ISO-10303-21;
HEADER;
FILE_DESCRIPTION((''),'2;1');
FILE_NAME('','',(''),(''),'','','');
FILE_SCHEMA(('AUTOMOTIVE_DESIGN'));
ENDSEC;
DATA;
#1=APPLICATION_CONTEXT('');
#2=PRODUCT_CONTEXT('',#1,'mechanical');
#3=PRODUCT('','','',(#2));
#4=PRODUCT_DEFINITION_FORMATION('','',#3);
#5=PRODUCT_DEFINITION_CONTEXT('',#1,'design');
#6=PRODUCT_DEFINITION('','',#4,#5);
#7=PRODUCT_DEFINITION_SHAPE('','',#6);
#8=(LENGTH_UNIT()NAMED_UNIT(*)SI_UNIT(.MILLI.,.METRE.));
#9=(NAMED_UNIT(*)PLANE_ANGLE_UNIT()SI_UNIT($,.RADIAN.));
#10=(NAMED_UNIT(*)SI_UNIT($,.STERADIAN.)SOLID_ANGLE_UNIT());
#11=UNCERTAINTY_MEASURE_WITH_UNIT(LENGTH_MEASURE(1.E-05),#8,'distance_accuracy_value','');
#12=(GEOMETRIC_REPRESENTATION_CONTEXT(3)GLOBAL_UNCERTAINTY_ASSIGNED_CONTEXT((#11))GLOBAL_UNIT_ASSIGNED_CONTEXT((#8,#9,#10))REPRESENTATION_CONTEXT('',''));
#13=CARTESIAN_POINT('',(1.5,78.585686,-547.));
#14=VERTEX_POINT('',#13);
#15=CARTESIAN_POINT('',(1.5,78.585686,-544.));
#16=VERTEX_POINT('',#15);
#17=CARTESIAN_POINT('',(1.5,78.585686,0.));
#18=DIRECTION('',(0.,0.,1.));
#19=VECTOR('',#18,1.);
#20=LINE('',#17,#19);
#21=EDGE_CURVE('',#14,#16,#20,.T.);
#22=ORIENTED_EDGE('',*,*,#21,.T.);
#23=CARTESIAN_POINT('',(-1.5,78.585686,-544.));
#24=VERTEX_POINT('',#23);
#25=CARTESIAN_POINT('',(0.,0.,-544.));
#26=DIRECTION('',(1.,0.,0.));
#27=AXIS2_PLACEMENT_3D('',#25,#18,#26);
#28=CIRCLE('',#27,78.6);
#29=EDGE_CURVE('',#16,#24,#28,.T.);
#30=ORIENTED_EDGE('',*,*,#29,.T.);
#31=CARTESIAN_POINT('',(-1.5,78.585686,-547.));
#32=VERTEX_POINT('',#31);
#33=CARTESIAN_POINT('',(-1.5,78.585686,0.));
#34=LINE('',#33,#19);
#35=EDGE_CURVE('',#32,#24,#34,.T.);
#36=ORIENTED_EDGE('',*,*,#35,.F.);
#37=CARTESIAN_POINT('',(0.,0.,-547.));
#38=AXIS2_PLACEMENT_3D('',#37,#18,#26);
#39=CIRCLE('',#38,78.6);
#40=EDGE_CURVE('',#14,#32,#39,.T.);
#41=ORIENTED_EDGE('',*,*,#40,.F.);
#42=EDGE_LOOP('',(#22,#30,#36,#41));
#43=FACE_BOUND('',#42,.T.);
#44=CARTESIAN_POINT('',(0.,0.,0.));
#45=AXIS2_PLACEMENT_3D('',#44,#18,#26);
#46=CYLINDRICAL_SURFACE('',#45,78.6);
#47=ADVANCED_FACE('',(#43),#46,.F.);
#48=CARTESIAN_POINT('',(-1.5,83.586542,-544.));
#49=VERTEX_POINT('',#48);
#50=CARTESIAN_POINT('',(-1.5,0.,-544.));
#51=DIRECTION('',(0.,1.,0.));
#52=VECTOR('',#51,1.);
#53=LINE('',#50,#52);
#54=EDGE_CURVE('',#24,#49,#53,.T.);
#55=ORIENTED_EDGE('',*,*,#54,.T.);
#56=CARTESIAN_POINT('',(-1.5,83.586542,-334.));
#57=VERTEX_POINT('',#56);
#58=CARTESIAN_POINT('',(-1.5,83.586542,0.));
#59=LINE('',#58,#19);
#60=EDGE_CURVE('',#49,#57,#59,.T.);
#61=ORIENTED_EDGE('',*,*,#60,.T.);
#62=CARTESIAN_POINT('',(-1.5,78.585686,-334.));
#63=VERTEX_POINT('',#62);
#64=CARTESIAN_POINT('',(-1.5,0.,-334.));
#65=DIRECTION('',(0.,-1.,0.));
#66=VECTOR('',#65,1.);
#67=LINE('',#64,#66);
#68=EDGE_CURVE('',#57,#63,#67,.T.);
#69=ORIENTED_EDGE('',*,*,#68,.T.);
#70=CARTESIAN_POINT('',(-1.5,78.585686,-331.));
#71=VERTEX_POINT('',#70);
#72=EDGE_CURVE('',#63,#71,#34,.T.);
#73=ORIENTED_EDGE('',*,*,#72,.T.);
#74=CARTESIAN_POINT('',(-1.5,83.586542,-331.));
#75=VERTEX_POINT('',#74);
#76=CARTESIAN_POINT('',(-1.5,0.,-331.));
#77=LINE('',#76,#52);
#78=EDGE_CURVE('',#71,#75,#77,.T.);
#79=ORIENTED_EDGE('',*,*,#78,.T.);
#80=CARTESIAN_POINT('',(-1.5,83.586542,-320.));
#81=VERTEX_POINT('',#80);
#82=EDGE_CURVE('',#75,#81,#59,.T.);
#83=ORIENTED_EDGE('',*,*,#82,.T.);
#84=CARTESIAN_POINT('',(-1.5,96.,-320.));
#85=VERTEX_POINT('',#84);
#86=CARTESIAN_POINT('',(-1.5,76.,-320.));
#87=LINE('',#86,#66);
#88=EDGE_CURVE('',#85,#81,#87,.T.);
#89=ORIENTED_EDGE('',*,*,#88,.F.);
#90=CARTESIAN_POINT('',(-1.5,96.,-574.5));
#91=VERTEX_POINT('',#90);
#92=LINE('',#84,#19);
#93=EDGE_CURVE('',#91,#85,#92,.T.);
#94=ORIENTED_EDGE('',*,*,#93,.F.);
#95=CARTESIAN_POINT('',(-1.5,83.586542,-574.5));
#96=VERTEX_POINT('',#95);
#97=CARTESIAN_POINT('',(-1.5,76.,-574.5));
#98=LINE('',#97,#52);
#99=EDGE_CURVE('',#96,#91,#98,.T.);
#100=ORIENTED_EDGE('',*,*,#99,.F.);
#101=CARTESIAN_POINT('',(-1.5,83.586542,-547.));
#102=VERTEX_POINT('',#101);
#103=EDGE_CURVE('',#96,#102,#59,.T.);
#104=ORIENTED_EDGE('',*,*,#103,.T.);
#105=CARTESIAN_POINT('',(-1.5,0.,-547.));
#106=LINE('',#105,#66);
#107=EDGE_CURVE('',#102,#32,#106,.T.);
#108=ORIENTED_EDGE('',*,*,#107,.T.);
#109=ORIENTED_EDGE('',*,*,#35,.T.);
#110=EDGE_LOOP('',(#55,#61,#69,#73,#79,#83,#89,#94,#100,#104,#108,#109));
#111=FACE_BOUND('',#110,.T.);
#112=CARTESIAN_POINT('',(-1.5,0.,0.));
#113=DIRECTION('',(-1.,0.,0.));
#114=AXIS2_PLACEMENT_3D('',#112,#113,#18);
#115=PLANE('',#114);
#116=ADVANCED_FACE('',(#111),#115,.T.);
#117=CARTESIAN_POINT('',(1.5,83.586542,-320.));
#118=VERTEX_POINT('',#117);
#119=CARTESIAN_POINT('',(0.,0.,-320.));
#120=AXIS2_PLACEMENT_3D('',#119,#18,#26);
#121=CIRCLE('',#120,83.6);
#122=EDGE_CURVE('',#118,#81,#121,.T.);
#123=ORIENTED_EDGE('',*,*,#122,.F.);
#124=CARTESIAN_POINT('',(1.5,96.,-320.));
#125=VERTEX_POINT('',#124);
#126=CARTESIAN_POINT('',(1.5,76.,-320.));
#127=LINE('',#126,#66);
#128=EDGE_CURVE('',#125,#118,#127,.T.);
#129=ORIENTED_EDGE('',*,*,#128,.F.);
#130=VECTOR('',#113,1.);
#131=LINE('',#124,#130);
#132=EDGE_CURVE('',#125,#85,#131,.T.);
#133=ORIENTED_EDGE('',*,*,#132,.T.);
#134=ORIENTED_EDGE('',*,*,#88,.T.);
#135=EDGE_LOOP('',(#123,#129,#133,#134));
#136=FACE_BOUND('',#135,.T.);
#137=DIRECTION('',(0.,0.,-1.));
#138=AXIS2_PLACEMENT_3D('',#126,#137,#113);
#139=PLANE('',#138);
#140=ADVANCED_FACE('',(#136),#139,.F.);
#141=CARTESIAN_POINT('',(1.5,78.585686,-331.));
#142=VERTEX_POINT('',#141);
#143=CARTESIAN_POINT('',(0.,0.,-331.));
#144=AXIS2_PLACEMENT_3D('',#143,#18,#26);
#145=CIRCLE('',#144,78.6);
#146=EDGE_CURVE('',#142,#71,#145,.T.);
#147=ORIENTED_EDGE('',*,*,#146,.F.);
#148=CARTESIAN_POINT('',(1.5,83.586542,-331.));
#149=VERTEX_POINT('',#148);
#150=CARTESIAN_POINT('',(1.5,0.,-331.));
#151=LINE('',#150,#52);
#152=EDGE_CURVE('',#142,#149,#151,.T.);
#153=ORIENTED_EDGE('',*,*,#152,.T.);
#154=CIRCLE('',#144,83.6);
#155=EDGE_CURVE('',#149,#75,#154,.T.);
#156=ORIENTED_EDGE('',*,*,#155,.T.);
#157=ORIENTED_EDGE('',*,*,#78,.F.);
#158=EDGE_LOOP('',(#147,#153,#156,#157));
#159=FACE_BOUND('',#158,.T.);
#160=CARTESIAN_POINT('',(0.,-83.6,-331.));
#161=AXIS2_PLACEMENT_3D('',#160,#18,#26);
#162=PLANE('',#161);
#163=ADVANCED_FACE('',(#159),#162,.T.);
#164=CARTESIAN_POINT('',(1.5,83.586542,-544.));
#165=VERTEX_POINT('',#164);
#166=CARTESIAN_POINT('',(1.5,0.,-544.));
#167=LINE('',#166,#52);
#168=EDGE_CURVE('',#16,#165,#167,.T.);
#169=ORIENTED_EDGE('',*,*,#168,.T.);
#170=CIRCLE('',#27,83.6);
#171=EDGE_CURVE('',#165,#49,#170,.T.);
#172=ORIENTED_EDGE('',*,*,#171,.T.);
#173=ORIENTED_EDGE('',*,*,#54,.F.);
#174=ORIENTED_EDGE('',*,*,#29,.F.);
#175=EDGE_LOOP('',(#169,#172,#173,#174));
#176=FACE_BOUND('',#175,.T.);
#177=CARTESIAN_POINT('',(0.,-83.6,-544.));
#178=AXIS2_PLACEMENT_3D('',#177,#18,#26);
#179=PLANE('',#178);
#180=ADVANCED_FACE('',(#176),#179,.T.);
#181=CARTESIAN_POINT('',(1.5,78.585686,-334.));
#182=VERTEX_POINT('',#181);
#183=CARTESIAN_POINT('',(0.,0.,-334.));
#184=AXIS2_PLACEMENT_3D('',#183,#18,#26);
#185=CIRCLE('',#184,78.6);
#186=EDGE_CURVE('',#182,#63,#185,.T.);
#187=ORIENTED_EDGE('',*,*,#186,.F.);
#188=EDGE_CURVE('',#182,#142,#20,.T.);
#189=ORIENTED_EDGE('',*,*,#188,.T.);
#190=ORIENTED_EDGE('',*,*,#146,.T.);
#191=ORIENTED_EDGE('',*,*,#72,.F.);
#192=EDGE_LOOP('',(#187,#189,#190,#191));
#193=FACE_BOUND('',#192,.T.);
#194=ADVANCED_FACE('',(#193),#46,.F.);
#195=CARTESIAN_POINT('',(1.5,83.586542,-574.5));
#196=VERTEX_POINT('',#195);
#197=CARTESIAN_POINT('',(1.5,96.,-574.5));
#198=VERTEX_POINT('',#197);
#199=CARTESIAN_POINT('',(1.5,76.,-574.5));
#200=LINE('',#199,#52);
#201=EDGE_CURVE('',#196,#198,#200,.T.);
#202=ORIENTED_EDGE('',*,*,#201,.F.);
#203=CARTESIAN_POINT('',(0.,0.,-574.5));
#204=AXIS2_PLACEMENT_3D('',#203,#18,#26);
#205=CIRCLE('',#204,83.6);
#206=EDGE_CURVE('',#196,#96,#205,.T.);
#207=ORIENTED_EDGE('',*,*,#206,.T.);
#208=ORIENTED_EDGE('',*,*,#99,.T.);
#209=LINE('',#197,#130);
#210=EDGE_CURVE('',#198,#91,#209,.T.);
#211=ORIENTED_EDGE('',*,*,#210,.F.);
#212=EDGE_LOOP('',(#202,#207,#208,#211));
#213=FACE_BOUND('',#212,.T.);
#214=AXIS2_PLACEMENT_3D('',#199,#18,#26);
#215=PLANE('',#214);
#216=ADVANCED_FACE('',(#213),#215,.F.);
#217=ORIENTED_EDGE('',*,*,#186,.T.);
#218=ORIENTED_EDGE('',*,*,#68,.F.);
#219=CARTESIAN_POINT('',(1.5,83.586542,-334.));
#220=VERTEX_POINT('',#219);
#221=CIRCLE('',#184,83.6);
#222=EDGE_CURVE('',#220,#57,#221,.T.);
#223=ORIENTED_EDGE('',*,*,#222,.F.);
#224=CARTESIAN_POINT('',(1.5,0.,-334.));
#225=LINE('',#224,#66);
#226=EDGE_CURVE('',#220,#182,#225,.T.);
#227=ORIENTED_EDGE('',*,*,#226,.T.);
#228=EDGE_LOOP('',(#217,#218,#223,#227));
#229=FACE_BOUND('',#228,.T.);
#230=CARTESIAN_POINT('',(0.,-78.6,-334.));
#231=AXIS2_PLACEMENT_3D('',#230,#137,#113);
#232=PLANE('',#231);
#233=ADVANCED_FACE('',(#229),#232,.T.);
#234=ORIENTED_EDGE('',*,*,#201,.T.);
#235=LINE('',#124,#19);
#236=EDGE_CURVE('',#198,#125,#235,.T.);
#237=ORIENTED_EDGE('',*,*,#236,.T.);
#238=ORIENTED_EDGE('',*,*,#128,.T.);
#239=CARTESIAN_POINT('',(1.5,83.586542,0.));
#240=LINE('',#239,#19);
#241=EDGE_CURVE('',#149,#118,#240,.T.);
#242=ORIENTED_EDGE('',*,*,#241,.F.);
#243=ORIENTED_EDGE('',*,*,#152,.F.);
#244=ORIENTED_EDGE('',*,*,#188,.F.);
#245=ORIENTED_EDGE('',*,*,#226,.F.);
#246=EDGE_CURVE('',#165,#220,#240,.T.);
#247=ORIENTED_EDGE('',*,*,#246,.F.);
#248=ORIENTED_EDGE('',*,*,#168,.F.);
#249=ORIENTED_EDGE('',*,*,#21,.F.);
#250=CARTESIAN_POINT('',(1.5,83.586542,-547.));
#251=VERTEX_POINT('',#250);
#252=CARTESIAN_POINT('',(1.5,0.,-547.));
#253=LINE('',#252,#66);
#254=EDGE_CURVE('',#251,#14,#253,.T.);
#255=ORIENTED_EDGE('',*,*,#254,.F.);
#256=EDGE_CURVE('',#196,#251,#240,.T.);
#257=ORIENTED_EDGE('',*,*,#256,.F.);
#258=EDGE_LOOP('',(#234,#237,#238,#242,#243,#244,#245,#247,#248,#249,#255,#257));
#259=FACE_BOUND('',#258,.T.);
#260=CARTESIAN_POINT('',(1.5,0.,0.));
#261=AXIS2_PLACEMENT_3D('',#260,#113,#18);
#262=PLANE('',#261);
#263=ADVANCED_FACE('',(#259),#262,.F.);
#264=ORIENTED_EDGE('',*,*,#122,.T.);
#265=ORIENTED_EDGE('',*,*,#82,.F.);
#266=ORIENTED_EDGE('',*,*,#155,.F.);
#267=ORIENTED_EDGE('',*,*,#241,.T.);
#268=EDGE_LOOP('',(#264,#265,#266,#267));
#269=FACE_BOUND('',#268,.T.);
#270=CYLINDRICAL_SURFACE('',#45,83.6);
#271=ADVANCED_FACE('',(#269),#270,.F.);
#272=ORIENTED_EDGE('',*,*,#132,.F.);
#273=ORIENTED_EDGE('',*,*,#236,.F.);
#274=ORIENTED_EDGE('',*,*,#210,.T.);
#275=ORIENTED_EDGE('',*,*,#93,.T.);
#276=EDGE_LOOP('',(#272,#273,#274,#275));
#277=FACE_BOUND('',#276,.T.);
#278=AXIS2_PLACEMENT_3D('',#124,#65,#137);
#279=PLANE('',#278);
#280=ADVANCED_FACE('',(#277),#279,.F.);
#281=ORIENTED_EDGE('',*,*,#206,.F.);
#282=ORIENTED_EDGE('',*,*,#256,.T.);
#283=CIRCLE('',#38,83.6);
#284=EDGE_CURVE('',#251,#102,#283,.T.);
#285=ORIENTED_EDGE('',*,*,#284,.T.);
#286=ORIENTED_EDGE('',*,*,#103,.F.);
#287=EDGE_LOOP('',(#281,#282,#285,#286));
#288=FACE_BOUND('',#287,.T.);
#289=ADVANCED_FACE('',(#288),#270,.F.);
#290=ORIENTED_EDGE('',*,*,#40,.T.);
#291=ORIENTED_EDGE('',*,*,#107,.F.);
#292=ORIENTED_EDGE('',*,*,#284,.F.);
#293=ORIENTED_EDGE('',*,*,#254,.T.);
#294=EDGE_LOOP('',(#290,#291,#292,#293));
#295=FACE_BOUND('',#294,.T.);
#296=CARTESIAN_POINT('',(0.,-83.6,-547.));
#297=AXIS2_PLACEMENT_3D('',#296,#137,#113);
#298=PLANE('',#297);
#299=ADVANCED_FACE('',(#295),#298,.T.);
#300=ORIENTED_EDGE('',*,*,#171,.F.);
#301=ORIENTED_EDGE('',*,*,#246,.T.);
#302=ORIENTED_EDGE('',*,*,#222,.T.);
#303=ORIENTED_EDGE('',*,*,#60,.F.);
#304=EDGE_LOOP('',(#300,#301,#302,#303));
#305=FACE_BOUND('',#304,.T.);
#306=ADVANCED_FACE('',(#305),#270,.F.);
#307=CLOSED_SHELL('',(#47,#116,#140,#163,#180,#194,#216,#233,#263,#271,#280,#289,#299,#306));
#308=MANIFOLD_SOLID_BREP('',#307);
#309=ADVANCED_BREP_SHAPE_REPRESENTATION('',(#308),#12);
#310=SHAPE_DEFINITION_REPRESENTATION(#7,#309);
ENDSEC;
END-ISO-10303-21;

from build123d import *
from build123d.topology import SkipClean

# Parameters (mm, degrees)
SKETCH1_W           = 254.5
SKETCH1_H           = 20
BOSS_EXTRUDE1_DEPTH = 1.5
CUT_REVOLVE1_ANGLE  = 360


with BuildPart() as part:
    # Sketch1 → Boss-Extrude1 (new body, symmetric)
    with BuildSketch(Plane(origin=(0, 0, 0), x_dir=(0, 0, -1), z_dir=(1, 0, 0))):
        with Locations((447.25, 86)):
            Rectangle(SKETCH1_W, SKETCH1_H)
    extrude(amount=BOSS_EXTRUDE1_DEPTH, both=True)

    # Sketch2 → Cut-Revolve1 (revolve, symmetric, cut)
    with SkipClean():  # keep this step's faces unmerged: merging them makes the solid invalid here
        with BuildSketch(Plane(origin=(0, 0, 0), x_dir=(0, 0, -1), z_dir=(1, 0, 0))) as cut_revolve1_sk:
            Polygon((320, 83.6), (331, 83.6), (331, 78.6), (334, 78.6), (334, 83.6), (544, 83.6), (544, 78.6), (547, 78.6), (547, 83.6), (574.5, 83.6), (574.5, 65.235756371), (320, 65.235756371), align=None)
        revolve(axis=Axis((0, 0, 0), (0, 0, -1)), revolution_arc=CUT_REVOLVE1_ANGLE / 2, mode=Mode.SUBTRACT)
        revolve(cut_revolve1_sk.sketch, axis=Axis((0, 0, 0), (0, 0, 1)), revolution_arc=CUT_REVOLVE1_ANGLE / 2, mode=Mode.SUBTRACT)


solid = part.part
